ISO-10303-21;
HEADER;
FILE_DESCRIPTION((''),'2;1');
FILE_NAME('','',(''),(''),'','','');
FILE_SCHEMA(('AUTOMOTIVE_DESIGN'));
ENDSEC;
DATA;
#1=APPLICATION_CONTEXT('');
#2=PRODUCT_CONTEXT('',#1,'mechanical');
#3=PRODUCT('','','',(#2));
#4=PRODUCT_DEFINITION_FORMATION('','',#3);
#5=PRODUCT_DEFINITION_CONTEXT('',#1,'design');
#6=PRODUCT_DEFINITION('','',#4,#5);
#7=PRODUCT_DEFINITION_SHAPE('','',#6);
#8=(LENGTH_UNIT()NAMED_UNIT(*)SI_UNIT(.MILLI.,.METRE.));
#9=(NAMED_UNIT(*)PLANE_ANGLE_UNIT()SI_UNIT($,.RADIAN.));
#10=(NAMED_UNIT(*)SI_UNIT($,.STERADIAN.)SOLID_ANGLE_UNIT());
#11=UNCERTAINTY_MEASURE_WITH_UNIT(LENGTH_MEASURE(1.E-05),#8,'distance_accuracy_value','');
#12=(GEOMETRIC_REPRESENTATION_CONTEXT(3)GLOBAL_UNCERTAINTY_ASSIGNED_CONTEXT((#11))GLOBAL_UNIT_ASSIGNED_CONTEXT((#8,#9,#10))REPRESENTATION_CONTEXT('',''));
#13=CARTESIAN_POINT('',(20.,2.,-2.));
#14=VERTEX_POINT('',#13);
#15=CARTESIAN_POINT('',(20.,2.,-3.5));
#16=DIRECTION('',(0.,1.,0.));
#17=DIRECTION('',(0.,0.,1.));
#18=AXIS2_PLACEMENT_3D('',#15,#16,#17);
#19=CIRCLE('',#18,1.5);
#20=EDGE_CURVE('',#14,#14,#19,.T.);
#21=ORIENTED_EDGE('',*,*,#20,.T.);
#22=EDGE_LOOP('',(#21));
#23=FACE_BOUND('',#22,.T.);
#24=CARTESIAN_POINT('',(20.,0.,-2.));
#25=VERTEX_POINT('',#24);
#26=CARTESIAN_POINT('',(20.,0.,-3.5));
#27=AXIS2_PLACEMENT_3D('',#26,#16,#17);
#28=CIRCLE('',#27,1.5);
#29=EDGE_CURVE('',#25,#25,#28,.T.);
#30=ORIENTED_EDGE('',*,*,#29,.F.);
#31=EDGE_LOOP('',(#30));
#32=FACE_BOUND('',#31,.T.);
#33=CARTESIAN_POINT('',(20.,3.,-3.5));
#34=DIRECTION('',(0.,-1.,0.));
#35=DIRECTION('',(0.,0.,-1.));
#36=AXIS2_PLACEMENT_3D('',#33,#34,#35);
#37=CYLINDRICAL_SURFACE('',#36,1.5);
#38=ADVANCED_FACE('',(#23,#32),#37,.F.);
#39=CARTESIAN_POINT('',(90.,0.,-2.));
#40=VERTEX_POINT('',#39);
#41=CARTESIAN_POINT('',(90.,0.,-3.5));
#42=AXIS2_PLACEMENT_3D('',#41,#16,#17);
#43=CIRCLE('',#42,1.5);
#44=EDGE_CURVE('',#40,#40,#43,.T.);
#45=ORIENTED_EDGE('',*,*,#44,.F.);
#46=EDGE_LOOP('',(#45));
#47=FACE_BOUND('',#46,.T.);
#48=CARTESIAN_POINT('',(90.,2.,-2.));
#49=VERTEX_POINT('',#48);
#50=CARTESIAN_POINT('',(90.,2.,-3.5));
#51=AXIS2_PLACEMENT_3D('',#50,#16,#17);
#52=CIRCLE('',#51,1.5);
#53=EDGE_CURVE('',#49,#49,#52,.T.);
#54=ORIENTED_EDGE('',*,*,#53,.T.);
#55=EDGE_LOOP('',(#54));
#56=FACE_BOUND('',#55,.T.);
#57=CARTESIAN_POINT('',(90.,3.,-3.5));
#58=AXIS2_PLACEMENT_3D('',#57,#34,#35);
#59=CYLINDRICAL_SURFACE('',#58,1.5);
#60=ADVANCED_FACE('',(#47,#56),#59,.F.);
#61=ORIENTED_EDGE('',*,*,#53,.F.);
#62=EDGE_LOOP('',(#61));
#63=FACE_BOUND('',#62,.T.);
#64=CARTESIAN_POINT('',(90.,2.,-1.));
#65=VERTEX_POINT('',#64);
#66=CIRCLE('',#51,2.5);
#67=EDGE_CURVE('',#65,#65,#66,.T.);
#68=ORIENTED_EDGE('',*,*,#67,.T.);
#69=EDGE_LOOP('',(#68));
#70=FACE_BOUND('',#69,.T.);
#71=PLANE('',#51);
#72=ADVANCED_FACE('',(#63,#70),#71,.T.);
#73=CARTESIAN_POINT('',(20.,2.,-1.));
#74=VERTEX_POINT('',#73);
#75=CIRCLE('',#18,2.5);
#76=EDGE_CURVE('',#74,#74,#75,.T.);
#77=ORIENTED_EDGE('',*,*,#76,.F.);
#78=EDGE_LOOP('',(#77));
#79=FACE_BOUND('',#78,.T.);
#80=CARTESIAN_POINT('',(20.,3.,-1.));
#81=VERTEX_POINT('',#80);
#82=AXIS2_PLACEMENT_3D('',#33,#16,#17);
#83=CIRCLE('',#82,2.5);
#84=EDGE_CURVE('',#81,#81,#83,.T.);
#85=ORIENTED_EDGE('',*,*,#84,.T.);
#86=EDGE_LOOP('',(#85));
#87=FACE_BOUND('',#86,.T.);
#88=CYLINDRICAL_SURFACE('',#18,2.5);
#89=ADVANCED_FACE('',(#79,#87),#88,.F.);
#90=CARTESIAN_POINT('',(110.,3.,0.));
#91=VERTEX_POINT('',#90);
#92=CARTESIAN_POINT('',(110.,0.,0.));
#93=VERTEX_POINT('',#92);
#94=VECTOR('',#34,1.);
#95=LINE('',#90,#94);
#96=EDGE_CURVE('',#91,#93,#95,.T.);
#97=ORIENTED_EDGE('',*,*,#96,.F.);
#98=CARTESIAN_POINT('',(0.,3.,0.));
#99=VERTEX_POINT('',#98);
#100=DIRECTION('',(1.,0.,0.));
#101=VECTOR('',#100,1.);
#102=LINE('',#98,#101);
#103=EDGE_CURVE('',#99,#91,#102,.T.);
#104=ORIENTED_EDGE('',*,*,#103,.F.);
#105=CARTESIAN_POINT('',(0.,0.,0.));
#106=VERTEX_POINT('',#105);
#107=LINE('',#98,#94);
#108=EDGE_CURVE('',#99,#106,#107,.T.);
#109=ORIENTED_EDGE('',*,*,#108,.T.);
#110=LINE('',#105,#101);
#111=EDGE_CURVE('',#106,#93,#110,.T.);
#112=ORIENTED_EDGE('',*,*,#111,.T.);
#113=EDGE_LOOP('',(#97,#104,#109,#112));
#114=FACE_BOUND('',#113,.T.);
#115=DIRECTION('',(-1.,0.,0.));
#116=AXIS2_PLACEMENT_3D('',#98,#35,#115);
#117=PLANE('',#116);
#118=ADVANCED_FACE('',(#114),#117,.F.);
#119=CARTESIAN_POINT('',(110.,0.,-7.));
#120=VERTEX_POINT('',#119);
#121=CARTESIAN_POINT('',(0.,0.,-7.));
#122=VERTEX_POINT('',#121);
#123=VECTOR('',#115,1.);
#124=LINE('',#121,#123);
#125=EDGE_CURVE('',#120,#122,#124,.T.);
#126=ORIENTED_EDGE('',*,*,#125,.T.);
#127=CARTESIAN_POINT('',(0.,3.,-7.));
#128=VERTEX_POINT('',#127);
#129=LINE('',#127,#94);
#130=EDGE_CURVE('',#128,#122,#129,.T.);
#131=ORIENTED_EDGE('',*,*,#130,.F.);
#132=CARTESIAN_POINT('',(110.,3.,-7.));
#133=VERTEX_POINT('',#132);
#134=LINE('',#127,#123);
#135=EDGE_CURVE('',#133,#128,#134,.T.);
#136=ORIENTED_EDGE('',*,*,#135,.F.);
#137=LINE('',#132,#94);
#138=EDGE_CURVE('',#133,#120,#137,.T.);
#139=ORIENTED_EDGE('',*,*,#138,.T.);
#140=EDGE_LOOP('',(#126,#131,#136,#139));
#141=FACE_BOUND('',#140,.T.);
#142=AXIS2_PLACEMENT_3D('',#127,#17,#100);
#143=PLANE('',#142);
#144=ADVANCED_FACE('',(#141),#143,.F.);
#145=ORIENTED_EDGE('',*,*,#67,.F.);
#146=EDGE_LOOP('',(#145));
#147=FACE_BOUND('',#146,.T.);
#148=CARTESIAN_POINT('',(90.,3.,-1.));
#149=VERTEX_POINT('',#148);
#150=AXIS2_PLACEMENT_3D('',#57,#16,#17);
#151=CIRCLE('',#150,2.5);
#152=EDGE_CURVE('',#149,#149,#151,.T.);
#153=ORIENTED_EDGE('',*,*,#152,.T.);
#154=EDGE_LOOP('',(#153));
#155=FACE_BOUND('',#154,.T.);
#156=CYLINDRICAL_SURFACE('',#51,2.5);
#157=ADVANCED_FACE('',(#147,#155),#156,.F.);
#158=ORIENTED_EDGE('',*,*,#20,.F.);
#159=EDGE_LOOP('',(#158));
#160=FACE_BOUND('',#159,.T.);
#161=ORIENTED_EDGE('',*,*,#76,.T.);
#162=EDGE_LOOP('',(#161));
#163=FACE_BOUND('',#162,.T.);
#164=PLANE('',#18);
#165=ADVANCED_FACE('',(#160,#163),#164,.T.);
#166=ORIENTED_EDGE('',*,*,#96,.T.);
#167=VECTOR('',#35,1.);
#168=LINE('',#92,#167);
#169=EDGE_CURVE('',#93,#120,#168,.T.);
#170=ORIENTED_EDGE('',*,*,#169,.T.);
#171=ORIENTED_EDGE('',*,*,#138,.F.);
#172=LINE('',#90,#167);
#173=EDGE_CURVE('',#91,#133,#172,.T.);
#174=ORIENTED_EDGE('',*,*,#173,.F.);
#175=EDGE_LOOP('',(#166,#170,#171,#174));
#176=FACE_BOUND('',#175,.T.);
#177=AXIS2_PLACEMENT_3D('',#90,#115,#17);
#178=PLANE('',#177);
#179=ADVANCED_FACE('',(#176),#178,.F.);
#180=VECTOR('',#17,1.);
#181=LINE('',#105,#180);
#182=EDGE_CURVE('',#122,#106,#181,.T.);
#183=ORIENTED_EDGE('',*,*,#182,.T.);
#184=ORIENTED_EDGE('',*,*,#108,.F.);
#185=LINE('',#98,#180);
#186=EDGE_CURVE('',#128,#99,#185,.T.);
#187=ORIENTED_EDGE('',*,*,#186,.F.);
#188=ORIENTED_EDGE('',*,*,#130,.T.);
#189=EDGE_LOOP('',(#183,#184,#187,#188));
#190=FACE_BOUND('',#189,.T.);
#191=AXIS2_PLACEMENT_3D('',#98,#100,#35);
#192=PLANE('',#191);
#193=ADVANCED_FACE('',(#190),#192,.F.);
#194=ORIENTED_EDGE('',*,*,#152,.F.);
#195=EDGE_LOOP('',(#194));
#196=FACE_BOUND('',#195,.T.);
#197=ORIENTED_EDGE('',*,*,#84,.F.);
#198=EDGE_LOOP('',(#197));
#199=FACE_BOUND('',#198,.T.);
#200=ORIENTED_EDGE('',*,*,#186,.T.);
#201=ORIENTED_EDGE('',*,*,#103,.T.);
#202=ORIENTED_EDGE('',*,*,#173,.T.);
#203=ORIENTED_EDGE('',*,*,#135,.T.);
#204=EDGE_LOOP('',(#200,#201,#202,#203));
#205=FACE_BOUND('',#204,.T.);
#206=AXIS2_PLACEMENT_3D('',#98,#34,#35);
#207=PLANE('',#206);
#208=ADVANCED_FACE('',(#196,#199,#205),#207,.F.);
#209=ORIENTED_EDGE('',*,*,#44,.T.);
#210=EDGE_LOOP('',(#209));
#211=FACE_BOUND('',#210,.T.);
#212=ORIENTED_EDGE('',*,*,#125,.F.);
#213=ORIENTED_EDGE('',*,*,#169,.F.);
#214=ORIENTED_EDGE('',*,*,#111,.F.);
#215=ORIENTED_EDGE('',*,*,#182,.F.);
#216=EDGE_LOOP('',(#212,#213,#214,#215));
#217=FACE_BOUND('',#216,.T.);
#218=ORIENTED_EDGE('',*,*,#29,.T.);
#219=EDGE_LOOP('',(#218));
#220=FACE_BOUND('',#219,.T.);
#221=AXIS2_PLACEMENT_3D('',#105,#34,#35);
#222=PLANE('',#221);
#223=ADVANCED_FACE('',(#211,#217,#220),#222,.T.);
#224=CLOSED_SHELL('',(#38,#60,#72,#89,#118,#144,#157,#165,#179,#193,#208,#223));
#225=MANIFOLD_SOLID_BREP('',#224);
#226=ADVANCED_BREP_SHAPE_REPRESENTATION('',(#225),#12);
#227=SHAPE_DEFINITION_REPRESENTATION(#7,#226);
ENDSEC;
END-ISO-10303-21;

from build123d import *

# Parameters (mm, degrees)
SKETCH1_W           = 110
SKETCH1_H           = 7
SKETCH1_R           = 1.5
BOSS_EXTRUDE1_DEPTH = 3
SKETCH2_R           = 2.5
CUT_EXTRUDE1_DEPTH  = 1


with BuildPart() as part:
    # Sketch1 → Boss-Extrude1 (new body)
    with BuildSketch(Plane(origin=(0, 0, 0), x_dir=(1, 0, 0), z_dir=(0, 1, 0))):
        with Locations((55, 3.5)):
            Rectangle(SKETCH1_W, SKETCH1_H)
        with Locations(Location((20, 3.5, 0), (0, 0, 270))):
            Circle(SKETCH1_R, mode=Mode.SUBTRACT)
        with Locations(Location((90, 3.5, 0), (0, 0, 270))):
            Circle(SKETCH1_R, mode=Mode.SUBTRACT)
    extrude(amount=BOSS_EXTRUDE1_DEPTH)

    # Sketch2 → Cut-Extrude1 (cut)
    with BuildSketch(Plane(origin=(0, 3, 0), x_dir=(1, 0, 0), z_dir=(0, 1, 0))):
        with Locations(Location((20, 3.5, 0), (0, 0, 270))):
            Circle(SKETCH2_R)
        with Locations(Location((90, 3.5, 0), (0, 0, 270))):
            Circle(SKETCH2_R)
    extrude(amount=-CUT_EXTRUDE1_DEPTH, mode=Mode.SUBTRACT)


solid = part.part
